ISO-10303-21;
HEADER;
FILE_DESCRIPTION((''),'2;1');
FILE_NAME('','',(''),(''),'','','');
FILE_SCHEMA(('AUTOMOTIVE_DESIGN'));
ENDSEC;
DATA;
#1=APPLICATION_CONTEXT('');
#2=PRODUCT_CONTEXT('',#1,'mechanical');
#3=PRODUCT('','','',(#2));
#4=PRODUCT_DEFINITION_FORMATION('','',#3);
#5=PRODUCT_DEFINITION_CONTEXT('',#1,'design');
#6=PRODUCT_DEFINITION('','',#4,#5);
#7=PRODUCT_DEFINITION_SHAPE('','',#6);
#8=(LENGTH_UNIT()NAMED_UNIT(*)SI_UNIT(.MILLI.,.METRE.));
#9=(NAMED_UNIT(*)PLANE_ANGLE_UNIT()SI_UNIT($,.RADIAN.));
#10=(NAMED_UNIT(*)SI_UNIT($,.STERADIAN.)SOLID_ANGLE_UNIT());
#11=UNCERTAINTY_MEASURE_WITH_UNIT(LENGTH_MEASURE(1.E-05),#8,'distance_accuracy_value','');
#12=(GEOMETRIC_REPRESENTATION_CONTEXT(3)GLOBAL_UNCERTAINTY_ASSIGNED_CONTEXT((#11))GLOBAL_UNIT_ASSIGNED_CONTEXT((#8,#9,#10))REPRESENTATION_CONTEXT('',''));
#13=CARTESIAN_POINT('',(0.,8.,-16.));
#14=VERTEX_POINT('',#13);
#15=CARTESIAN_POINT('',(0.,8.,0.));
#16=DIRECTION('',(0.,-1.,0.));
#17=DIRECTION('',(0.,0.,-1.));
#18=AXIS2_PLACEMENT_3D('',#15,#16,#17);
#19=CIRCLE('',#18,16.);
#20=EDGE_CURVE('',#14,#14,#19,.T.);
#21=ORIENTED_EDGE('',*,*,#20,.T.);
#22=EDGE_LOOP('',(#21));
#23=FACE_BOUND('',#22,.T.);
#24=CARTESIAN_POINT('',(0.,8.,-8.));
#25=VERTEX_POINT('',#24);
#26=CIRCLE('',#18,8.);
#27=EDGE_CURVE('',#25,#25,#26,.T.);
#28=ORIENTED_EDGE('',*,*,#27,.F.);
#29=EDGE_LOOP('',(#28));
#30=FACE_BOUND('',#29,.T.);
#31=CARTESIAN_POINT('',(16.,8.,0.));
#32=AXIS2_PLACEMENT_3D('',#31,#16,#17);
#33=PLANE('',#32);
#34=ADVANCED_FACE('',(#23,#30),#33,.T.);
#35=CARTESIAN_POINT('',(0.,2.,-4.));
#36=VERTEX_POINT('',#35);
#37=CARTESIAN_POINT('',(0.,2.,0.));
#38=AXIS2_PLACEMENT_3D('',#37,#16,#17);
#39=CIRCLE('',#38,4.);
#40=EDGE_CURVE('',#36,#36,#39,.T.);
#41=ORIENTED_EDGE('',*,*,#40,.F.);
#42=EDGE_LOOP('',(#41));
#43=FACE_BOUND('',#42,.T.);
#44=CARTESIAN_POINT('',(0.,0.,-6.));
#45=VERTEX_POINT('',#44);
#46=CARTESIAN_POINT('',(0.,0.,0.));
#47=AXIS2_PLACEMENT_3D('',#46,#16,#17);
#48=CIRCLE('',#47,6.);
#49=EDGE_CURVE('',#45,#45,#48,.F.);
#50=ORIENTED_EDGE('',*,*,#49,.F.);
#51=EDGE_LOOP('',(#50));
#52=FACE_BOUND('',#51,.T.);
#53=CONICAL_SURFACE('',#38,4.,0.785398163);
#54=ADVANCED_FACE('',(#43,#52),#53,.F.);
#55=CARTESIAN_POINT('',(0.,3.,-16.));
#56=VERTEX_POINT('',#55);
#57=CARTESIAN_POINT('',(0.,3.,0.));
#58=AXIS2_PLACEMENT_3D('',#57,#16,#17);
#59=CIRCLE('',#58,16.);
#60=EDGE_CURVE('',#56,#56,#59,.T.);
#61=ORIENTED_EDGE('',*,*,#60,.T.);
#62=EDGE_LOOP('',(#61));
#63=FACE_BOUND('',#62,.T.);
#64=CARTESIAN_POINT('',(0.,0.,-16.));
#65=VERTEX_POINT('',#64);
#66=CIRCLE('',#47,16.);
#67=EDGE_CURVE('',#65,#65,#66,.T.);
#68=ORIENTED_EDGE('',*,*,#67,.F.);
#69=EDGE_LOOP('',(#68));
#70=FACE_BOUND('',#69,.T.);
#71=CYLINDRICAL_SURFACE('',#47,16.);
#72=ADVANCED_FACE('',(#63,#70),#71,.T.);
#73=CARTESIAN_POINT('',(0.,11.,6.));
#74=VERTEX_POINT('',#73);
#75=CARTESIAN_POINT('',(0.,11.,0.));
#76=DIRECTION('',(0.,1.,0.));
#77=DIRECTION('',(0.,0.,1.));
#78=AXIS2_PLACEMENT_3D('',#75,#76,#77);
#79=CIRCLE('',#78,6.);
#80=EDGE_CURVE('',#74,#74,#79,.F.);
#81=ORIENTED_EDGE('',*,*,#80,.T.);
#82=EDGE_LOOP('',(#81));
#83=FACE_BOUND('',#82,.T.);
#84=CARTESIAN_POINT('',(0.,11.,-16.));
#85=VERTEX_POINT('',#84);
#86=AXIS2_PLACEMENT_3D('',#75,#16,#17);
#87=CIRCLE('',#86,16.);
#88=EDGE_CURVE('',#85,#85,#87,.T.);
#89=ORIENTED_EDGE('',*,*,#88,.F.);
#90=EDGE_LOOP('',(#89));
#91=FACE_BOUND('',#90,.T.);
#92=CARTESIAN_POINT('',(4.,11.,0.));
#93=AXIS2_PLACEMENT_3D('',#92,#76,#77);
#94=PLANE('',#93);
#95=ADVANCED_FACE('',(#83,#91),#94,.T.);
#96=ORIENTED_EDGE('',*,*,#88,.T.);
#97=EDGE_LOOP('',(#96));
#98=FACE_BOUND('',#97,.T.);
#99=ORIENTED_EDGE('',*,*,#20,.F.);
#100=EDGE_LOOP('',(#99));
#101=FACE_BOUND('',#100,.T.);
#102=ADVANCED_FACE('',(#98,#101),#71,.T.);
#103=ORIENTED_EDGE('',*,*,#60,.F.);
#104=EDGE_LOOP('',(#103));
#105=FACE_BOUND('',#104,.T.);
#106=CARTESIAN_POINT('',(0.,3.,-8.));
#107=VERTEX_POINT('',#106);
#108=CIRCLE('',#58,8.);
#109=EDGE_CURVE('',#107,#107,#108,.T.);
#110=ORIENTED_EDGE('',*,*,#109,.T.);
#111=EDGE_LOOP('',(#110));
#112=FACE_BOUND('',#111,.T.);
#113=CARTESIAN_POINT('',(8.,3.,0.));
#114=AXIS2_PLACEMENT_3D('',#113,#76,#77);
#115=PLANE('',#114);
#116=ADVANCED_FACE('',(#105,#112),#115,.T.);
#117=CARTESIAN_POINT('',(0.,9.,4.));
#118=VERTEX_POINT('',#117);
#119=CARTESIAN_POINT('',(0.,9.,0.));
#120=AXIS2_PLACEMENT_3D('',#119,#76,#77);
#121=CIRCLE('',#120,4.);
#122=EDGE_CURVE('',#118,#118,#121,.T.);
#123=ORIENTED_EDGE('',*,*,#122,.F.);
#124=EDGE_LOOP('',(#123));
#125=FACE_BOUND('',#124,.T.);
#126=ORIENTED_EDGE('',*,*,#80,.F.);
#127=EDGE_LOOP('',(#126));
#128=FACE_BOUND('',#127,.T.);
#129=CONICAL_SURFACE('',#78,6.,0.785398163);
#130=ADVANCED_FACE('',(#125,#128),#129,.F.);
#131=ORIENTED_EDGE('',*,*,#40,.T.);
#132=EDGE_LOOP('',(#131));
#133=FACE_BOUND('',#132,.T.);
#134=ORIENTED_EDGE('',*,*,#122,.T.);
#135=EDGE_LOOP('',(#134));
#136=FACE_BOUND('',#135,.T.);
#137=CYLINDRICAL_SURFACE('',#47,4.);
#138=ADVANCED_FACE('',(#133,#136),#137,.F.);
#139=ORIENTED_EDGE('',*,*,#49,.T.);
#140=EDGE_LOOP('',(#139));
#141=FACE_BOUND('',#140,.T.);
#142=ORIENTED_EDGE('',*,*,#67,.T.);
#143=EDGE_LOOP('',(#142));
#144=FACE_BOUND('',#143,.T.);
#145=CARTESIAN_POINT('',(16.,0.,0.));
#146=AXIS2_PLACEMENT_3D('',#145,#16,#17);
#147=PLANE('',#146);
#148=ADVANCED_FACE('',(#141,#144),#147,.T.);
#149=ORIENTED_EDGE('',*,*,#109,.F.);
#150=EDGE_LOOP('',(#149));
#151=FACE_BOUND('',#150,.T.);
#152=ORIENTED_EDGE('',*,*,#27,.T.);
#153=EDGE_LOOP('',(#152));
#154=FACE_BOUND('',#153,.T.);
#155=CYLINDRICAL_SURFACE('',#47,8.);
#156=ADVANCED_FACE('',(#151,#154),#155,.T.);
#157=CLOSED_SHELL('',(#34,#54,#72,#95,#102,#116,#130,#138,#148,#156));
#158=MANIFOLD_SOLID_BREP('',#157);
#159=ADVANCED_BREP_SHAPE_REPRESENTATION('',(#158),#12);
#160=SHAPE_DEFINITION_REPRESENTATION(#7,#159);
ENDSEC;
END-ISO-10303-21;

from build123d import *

# Parameters (mm, degrees)
CHAMFER1_SIZE = 2


with BuildPart() as part:
    # Sketch1 → Revolve1 (revolve)
    with BuildSketch(Plane.XY, mode=Mode.PRIVATE) as revolve1_sk:
        Polygon((4, 0), (4, 11), (16, 11), (16, 8), (8, 8), (8, 3), (16, 3), (16, 0), align=None)
    revolve(revolve1_sk.sketch.rotate(Axis((0, 0, 0), (0, 1, 0)), 90), axis=Axis((0, 0, 0), (0, 1, 0)))

    # Chamfer1
    chamfer1_edges = [part.edges().sort_by_distance(p)[0] for p in [
        (0, 0, 4),
        (0, 11, 4),
    ]]
    chamfer(chamfer1_edges, length=CHAMFER1_SIZE)


solid = part.part
